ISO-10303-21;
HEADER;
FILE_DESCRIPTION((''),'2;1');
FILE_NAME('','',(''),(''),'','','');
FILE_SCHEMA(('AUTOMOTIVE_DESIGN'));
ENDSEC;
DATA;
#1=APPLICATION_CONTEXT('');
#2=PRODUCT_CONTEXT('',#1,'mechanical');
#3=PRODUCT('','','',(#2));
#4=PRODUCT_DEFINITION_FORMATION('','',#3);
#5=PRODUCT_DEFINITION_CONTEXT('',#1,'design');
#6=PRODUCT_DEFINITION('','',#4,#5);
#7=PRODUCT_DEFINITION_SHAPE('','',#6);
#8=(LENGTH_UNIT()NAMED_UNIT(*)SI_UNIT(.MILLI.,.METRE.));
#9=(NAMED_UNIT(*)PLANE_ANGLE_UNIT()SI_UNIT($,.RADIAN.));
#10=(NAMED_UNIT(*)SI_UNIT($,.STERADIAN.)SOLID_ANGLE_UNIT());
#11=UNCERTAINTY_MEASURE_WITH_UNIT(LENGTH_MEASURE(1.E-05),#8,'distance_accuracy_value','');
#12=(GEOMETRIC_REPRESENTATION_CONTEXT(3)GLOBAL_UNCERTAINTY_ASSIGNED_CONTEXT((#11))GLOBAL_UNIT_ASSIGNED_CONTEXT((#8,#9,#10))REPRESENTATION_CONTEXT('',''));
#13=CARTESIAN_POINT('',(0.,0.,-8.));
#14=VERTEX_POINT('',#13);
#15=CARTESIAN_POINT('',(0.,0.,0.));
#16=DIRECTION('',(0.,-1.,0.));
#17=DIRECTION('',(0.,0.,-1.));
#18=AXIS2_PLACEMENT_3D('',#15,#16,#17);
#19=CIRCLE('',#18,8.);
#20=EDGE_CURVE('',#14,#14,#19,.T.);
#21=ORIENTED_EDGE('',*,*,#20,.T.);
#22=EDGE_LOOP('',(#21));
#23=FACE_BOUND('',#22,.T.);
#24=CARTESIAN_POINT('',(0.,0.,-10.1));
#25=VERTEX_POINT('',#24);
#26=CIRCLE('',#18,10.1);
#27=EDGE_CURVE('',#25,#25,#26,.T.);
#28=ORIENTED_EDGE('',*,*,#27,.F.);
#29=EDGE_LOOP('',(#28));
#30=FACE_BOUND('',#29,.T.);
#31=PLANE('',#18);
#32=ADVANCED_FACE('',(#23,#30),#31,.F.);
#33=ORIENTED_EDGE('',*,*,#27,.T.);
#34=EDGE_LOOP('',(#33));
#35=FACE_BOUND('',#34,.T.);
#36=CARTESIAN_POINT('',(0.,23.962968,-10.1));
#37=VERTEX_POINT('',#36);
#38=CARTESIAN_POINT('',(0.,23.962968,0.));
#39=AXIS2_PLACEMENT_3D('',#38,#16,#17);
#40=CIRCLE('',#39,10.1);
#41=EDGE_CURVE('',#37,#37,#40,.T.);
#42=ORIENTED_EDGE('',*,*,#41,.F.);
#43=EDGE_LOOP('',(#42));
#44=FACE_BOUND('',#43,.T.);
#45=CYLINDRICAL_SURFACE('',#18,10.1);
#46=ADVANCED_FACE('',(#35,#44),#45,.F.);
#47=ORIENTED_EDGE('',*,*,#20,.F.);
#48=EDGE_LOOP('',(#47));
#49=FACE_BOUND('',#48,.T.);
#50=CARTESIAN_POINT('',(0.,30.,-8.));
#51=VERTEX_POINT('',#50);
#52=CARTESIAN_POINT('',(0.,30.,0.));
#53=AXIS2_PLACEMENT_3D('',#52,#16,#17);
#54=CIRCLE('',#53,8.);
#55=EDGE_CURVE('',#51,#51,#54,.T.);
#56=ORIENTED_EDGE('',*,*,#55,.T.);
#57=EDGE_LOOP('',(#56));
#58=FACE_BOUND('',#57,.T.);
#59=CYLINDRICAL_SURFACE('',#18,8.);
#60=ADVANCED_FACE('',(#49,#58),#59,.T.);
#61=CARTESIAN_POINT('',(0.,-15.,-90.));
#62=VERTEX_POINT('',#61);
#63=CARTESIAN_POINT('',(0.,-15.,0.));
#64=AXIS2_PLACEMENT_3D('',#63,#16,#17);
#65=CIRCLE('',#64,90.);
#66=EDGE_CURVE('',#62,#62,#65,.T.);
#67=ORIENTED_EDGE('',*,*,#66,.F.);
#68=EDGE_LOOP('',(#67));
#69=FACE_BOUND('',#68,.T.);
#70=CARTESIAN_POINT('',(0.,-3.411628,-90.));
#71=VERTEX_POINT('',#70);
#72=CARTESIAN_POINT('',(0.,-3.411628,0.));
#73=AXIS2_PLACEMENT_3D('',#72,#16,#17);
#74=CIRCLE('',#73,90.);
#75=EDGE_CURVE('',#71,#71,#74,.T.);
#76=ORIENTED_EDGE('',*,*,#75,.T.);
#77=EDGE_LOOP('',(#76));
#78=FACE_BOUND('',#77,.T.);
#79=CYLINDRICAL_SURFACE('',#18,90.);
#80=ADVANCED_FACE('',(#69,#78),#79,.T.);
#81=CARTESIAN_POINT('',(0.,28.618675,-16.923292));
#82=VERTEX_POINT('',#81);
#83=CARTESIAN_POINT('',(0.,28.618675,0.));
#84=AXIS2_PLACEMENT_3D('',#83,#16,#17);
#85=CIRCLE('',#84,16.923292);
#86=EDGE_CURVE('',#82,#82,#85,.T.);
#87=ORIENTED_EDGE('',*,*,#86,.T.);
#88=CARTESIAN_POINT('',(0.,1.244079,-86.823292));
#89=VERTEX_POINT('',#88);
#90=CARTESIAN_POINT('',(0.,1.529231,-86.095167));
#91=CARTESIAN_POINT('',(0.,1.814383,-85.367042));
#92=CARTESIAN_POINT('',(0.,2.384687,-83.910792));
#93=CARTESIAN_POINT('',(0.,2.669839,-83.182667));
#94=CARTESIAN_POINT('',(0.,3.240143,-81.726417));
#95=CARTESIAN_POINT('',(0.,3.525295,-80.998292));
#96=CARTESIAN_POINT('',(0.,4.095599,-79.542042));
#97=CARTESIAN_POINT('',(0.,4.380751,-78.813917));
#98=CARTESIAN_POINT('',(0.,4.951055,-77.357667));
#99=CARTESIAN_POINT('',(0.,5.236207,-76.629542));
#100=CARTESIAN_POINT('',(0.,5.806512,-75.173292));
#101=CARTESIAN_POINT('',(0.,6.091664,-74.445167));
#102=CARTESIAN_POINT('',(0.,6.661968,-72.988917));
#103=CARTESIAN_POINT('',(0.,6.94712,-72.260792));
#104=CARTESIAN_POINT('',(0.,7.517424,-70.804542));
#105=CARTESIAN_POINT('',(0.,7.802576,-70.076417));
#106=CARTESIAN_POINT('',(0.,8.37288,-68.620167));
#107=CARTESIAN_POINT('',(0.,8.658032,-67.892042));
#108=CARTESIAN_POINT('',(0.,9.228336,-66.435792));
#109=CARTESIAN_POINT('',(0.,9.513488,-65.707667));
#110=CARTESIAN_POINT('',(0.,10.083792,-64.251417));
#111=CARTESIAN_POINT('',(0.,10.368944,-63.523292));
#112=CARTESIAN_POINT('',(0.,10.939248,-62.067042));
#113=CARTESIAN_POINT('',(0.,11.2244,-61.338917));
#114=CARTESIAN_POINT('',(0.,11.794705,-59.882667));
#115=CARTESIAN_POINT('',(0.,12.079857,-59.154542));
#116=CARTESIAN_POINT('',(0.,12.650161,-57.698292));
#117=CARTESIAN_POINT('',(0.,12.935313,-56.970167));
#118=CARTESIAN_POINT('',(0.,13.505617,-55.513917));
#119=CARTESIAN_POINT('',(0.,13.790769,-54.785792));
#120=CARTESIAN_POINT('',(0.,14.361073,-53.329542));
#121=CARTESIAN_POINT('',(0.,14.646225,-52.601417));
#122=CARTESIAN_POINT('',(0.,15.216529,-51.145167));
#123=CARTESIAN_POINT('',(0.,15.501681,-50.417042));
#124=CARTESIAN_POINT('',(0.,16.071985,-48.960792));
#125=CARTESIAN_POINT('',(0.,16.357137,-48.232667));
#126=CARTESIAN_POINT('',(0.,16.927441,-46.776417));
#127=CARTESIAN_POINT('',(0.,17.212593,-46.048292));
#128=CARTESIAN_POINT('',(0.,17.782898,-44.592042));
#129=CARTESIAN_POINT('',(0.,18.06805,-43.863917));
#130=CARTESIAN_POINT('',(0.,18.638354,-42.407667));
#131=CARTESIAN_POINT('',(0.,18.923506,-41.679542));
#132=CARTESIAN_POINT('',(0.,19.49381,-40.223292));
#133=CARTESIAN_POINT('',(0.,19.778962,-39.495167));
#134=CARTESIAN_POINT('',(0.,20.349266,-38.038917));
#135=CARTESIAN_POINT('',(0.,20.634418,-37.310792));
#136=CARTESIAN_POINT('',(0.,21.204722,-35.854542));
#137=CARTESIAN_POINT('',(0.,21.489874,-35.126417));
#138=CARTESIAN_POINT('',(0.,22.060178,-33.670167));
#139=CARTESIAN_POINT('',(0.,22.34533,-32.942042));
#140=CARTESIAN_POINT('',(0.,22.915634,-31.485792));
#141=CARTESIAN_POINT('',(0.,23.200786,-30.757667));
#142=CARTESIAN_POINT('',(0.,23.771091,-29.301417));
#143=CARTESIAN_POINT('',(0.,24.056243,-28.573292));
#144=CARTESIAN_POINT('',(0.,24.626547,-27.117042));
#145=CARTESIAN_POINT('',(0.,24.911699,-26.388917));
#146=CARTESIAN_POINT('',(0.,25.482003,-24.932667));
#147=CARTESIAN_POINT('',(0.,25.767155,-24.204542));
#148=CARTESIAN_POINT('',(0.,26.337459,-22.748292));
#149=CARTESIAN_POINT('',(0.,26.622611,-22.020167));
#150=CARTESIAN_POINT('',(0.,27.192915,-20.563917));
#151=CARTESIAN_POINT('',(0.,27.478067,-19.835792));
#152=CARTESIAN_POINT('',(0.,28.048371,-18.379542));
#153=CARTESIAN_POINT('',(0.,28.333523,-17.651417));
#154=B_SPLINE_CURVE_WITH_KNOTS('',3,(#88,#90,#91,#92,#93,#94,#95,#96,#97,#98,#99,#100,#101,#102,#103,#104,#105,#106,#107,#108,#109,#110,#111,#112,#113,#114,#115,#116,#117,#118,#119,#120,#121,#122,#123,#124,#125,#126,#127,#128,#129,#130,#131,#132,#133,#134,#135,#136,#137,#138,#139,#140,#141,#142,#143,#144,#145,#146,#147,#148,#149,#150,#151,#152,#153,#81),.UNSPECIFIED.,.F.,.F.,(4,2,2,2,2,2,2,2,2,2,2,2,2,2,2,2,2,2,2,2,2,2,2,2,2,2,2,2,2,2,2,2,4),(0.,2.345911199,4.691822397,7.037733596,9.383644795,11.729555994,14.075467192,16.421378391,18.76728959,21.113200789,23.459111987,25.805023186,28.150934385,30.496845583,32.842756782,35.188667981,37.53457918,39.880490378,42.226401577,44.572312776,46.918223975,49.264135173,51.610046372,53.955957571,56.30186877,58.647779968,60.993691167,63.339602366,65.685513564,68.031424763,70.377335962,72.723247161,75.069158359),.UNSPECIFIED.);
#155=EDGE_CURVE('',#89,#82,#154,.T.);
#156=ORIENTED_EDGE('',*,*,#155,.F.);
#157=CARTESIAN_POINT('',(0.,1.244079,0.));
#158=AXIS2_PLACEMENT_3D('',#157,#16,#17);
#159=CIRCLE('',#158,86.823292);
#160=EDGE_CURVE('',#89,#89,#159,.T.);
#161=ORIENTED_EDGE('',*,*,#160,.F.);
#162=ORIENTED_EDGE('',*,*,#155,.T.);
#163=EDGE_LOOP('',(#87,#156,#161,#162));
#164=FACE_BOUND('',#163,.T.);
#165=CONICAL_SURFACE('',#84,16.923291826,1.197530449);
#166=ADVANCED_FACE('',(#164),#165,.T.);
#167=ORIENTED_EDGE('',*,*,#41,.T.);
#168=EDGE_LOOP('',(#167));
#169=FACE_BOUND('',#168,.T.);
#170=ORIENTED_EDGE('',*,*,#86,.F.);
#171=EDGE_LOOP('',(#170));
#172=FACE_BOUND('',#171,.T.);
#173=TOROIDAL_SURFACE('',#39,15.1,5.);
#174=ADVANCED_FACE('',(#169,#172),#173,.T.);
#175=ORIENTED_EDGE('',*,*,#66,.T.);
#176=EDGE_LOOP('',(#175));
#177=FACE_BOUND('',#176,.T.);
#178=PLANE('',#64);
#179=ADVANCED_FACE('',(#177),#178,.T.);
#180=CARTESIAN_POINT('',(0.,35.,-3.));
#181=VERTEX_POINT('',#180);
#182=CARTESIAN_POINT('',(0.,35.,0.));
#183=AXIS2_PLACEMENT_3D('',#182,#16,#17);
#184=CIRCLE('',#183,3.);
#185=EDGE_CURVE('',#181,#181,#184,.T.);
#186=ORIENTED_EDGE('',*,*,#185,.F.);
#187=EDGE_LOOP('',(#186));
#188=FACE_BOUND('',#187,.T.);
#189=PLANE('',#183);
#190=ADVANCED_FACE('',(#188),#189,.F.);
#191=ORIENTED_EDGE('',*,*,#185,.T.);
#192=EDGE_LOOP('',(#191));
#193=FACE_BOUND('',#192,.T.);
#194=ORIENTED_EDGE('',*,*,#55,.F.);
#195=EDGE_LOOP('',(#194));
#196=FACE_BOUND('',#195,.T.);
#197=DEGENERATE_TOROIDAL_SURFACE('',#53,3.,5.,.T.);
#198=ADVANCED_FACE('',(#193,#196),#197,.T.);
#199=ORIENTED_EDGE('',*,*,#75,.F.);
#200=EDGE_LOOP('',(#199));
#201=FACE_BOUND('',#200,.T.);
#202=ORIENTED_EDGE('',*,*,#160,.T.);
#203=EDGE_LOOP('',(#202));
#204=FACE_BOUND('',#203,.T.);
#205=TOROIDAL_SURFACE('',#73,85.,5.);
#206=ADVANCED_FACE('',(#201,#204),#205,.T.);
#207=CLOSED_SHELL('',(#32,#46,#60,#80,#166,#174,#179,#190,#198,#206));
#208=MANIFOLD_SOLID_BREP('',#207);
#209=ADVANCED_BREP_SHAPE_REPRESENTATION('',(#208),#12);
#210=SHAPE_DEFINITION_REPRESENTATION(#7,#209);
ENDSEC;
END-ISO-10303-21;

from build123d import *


with BuildPart() as part:
    # 草图3 → 旋转1 (revolve)
    with BuildSketch(Plane.XY, mode=Mode.PRIVATE) as revolve_1_sk:
        with BuildLine():
            Line((90, -15), (90, -3.411628169))
            ThreePointArc((90, -3.411628169), (89.130160961, -0.593513474), (86.823291826, 1.24407875))
            Line((86.823291826, 1.24407875), (16.923291826, 28.61867531))
            ThreePointArc((16.923291826, 28.61867531), (12.281885305, 28.093129351), (10.1, 23.96296839))
            Line((10.1, 23.96296839), (10.1, 0))
            Line((10.1, 0), (8, 0))
            Line((8, 0), (8, 30))
            ThreePointArc((8, 30), (6.535533906, 33.535533906), (3, 35))
            Line((3, 35), (0, 35))
            Line((0, 35), (0, 0))
            Line((0, 0), (0, -15))
            Line((0, -15), (90, -15))
        make_face()
    revolve(revolve_1_sk.sketch.rotate(Axis((0, 0, 0), (0, 1, 0)), 90), axis=Axis((0, 0, 0), (0, 1, 0)))


solid = part.part
